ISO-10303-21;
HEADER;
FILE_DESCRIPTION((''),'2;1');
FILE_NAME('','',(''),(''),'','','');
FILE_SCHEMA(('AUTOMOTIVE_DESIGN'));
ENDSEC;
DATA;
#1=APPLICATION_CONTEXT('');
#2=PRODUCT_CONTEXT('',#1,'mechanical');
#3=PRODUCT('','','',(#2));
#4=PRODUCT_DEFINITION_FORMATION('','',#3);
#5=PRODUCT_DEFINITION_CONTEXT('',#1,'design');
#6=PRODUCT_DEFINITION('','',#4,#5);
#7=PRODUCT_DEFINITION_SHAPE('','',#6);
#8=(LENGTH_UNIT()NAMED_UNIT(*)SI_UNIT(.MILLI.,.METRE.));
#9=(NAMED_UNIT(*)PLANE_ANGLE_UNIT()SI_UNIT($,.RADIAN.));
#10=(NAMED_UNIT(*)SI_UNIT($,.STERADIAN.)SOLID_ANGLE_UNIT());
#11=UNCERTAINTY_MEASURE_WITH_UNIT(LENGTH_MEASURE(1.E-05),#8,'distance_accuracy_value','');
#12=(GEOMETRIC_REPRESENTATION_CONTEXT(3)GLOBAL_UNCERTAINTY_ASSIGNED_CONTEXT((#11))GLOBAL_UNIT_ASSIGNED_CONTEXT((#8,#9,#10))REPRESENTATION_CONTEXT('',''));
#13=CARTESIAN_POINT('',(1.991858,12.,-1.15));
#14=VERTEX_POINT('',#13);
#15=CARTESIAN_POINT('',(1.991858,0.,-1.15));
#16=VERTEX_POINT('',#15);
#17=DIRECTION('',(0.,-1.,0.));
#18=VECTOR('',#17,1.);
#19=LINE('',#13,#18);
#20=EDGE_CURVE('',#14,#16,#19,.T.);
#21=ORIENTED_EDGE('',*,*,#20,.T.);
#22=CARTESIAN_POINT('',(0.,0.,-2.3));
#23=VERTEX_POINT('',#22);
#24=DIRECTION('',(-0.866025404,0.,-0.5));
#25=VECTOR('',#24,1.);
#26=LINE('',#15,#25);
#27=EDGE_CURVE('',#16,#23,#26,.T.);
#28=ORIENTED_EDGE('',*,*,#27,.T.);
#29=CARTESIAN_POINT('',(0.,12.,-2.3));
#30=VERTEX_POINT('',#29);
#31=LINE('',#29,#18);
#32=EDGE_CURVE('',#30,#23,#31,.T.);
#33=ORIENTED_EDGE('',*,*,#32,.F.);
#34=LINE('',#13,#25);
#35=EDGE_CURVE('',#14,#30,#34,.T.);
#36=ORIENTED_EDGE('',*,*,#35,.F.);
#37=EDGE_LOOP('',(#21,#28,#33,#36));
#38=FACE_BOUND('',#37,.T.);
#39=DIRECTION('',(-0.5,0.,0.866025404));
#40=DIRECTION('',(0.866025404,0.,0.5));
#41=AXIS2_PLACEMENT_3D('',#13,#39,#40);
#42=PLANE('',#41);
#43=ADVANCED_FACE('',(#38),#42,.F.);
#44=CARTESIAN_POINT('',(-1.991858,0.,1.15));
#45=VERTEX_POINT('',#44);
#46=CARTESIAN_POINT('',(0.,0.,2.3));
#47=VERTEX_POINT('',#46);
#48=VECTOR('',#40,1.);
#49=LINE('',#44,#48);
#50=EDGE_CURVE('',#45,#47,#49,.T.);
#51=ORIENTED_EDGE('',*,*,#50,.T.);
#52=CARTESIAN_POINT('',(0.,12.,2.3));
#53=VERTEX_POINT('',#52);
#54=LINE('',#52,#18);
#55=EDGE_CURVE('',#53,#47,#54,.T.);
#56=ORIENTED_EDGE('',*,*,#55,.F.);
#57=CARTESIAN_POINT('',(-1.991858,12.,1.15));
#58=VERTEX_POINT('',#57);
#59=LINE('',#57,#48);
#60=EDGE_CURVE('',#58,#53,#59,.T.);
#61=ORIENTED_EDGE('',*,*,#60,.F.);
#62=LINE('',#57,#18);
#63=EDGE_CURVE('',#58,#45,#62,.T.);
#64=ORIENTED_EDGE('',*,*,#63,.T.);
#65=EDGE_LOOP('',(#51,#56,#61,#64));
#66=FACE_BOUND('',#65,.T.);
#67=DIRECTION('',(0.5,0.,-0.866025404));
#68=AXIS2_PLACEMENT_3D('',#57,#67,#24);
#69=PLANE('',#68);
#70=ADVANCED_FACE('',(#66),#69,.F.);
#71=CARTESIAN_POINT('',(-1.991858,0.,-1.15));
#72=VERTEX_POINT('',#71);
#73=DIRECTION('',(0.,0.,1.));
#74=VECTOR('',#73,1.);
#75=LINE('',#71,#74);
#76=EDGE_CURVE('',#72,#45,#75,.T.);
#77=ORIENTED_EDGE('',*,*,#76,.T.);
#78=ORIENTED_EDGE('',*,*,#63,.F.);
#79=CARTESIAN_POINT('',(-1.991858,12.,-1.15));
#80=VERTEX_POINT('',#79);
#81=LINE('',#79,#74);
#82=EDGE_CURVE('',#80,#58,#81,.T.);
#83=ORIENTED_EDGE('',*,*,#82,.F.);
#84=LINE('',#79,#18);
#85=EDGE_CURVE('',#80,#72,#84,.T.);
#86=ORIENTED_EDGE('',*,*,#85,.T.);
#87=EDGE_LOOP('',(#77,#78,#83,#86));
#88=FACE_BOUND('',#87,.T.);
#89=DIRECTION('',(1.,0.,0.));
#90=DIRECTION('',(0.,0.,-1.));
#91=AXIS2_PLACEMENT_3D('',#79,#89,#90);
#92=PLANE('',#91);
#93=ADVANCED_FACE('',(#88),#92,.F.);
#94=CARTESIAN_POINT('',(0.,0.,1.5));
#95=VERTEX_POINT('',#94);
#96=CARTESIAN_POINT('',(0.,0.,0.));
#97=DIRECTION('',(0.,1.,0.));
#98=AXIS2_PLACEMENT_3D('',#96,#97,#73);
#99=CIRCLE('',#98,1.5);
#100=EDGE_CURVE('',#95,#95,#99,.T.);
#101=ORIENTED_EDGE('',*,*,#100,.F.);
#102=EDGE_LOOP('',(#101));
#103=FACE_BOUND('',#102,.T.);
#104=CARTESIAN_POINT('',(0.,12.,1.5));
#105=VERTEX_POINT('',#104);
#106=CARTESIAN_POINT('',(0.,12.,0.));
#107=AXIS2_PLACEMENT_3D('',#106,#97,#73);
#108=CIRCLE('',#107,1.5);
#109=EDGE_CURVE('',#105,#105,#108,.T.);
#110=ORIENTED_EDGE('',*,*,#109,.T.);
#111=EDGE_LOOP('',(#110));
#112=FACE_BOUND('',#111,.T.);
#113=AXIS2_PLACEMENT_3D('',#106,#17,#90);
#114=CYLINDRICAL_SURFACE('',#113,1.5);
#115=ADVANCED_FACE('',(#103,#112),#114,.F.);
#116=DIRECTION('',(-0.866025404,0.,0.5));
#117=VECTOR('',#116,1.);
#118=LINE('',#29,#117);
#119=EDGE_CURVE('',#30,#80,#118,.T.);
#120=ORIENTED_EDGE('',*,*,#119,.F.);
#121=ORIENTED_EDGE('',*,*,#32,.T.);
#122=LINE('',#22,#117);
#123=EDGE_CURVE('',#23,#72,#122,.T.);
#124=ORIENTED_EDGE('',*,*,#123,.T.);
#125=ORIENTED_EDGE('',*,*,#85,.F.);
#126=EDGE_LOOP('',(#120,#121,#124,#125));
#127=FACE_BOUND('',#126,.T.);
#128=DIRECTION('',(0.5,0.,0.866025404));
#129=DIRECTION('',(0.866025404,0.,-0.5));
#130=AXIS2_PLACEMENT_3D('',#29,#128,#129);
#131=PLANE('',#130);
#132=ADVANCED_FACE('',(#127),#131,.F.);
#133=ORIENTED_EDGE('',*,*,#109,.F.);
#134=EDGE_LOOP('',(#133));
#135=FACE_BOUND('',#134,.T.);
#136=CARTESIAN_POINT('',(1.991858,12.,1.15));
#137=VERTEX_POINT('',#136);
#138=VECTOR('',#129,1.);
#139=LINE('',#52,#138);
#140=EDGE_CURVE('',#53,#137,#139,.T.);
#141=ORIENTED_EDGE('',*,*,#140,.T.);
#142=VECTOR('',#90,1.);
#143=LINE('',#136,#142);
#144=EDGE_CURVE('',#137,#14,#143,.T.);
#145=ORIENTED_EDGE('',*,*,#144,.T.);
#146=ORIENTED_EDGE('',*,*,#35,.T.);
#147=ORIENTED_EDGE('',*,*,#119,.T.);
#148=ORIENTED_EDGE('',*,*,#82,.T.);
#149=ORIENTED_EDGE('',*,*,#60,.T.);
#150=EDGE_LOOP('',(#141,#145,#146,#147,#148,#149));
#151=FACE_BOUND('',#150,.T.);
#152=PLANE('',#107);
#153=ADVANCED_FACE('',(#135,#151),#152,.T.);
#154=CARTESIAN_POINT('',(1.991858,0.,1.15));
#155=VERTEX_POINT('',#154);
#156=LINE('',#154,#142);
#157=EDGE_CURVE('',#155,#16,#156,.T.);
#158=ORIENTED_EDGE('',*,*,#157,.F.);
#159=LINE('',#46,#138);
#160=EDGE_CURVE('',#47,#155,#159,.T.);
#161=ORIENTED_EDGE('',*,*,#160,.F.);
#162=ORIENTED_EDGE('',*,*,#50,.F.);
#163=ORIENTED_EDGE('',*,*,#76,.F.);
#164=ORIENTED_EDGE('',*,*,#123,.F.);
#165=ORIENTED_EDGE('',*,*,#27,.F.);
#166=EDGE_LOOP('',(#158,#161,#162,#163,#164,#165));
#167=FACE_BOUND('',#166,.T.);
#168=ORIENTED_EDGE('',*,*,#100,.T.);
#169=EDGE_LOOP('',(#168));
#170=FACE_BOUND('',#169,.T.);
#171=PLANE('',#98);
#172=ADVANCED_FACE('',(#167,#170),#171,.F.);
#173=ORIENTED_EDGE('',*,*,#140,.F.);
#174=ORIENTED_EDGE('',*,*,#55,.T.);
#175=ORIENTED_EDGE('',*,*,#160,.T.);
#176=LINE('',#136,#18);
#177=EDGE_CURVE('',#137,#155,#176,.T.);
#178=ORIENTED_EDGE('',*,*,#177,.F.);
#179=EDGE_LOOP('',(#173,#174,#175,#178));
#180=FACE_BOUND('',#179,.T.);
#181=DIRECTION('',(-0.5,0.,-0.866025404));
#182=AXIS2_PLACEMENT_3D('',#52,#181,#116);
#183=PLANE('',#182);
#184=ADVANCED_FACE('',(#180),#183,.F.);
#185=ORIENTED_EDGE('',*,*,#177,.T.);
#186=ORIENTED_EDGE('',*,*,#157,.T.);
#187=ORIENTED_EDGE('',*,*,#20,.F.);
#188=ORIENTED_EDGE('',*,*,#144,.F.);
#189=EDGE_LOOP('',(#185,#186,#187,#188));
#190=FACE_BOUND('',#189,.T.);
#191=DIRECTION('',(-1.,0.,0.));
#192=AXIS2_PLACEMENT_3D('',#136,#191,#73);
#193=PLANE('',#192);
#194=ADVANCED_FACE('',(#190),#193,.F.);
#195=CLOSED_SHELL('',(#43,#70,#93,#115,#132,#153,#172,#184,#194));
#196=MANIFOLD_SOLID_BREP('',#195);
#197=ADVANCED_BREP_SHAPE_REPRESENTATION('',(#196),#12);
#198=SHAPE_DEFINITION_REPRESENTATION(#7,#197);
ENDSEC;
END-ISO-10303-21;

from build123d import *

# Parameters (mm, degrees)
SKETCH_1_R      = 1.5
EXTRUDE_1_DEPTH = 12


with BuildPart() as part:
    # 草图1 → 凸台-拉伸1 (new body)
    with BuildSketch(Plane(origin=(0, 0, 0), x_dir=(1, 0, 0), z_dir=(0, 1, 0))):
        Polygon((1.991858429, 1.15), (0, 2.3), (-1.991858429, 1.15), (-1.991858429, -1.15), (0, -2.3), (1.991858429, -1.15), align=None)
        with Locations(Location((0, 0, 0), (0, 0, 270))):
            Circle(SKETCH_1_R, mode=Mode.SUBTRACT)
    extrude(amount=EXTRUDE_1_DEPTH)


solid = part.part
